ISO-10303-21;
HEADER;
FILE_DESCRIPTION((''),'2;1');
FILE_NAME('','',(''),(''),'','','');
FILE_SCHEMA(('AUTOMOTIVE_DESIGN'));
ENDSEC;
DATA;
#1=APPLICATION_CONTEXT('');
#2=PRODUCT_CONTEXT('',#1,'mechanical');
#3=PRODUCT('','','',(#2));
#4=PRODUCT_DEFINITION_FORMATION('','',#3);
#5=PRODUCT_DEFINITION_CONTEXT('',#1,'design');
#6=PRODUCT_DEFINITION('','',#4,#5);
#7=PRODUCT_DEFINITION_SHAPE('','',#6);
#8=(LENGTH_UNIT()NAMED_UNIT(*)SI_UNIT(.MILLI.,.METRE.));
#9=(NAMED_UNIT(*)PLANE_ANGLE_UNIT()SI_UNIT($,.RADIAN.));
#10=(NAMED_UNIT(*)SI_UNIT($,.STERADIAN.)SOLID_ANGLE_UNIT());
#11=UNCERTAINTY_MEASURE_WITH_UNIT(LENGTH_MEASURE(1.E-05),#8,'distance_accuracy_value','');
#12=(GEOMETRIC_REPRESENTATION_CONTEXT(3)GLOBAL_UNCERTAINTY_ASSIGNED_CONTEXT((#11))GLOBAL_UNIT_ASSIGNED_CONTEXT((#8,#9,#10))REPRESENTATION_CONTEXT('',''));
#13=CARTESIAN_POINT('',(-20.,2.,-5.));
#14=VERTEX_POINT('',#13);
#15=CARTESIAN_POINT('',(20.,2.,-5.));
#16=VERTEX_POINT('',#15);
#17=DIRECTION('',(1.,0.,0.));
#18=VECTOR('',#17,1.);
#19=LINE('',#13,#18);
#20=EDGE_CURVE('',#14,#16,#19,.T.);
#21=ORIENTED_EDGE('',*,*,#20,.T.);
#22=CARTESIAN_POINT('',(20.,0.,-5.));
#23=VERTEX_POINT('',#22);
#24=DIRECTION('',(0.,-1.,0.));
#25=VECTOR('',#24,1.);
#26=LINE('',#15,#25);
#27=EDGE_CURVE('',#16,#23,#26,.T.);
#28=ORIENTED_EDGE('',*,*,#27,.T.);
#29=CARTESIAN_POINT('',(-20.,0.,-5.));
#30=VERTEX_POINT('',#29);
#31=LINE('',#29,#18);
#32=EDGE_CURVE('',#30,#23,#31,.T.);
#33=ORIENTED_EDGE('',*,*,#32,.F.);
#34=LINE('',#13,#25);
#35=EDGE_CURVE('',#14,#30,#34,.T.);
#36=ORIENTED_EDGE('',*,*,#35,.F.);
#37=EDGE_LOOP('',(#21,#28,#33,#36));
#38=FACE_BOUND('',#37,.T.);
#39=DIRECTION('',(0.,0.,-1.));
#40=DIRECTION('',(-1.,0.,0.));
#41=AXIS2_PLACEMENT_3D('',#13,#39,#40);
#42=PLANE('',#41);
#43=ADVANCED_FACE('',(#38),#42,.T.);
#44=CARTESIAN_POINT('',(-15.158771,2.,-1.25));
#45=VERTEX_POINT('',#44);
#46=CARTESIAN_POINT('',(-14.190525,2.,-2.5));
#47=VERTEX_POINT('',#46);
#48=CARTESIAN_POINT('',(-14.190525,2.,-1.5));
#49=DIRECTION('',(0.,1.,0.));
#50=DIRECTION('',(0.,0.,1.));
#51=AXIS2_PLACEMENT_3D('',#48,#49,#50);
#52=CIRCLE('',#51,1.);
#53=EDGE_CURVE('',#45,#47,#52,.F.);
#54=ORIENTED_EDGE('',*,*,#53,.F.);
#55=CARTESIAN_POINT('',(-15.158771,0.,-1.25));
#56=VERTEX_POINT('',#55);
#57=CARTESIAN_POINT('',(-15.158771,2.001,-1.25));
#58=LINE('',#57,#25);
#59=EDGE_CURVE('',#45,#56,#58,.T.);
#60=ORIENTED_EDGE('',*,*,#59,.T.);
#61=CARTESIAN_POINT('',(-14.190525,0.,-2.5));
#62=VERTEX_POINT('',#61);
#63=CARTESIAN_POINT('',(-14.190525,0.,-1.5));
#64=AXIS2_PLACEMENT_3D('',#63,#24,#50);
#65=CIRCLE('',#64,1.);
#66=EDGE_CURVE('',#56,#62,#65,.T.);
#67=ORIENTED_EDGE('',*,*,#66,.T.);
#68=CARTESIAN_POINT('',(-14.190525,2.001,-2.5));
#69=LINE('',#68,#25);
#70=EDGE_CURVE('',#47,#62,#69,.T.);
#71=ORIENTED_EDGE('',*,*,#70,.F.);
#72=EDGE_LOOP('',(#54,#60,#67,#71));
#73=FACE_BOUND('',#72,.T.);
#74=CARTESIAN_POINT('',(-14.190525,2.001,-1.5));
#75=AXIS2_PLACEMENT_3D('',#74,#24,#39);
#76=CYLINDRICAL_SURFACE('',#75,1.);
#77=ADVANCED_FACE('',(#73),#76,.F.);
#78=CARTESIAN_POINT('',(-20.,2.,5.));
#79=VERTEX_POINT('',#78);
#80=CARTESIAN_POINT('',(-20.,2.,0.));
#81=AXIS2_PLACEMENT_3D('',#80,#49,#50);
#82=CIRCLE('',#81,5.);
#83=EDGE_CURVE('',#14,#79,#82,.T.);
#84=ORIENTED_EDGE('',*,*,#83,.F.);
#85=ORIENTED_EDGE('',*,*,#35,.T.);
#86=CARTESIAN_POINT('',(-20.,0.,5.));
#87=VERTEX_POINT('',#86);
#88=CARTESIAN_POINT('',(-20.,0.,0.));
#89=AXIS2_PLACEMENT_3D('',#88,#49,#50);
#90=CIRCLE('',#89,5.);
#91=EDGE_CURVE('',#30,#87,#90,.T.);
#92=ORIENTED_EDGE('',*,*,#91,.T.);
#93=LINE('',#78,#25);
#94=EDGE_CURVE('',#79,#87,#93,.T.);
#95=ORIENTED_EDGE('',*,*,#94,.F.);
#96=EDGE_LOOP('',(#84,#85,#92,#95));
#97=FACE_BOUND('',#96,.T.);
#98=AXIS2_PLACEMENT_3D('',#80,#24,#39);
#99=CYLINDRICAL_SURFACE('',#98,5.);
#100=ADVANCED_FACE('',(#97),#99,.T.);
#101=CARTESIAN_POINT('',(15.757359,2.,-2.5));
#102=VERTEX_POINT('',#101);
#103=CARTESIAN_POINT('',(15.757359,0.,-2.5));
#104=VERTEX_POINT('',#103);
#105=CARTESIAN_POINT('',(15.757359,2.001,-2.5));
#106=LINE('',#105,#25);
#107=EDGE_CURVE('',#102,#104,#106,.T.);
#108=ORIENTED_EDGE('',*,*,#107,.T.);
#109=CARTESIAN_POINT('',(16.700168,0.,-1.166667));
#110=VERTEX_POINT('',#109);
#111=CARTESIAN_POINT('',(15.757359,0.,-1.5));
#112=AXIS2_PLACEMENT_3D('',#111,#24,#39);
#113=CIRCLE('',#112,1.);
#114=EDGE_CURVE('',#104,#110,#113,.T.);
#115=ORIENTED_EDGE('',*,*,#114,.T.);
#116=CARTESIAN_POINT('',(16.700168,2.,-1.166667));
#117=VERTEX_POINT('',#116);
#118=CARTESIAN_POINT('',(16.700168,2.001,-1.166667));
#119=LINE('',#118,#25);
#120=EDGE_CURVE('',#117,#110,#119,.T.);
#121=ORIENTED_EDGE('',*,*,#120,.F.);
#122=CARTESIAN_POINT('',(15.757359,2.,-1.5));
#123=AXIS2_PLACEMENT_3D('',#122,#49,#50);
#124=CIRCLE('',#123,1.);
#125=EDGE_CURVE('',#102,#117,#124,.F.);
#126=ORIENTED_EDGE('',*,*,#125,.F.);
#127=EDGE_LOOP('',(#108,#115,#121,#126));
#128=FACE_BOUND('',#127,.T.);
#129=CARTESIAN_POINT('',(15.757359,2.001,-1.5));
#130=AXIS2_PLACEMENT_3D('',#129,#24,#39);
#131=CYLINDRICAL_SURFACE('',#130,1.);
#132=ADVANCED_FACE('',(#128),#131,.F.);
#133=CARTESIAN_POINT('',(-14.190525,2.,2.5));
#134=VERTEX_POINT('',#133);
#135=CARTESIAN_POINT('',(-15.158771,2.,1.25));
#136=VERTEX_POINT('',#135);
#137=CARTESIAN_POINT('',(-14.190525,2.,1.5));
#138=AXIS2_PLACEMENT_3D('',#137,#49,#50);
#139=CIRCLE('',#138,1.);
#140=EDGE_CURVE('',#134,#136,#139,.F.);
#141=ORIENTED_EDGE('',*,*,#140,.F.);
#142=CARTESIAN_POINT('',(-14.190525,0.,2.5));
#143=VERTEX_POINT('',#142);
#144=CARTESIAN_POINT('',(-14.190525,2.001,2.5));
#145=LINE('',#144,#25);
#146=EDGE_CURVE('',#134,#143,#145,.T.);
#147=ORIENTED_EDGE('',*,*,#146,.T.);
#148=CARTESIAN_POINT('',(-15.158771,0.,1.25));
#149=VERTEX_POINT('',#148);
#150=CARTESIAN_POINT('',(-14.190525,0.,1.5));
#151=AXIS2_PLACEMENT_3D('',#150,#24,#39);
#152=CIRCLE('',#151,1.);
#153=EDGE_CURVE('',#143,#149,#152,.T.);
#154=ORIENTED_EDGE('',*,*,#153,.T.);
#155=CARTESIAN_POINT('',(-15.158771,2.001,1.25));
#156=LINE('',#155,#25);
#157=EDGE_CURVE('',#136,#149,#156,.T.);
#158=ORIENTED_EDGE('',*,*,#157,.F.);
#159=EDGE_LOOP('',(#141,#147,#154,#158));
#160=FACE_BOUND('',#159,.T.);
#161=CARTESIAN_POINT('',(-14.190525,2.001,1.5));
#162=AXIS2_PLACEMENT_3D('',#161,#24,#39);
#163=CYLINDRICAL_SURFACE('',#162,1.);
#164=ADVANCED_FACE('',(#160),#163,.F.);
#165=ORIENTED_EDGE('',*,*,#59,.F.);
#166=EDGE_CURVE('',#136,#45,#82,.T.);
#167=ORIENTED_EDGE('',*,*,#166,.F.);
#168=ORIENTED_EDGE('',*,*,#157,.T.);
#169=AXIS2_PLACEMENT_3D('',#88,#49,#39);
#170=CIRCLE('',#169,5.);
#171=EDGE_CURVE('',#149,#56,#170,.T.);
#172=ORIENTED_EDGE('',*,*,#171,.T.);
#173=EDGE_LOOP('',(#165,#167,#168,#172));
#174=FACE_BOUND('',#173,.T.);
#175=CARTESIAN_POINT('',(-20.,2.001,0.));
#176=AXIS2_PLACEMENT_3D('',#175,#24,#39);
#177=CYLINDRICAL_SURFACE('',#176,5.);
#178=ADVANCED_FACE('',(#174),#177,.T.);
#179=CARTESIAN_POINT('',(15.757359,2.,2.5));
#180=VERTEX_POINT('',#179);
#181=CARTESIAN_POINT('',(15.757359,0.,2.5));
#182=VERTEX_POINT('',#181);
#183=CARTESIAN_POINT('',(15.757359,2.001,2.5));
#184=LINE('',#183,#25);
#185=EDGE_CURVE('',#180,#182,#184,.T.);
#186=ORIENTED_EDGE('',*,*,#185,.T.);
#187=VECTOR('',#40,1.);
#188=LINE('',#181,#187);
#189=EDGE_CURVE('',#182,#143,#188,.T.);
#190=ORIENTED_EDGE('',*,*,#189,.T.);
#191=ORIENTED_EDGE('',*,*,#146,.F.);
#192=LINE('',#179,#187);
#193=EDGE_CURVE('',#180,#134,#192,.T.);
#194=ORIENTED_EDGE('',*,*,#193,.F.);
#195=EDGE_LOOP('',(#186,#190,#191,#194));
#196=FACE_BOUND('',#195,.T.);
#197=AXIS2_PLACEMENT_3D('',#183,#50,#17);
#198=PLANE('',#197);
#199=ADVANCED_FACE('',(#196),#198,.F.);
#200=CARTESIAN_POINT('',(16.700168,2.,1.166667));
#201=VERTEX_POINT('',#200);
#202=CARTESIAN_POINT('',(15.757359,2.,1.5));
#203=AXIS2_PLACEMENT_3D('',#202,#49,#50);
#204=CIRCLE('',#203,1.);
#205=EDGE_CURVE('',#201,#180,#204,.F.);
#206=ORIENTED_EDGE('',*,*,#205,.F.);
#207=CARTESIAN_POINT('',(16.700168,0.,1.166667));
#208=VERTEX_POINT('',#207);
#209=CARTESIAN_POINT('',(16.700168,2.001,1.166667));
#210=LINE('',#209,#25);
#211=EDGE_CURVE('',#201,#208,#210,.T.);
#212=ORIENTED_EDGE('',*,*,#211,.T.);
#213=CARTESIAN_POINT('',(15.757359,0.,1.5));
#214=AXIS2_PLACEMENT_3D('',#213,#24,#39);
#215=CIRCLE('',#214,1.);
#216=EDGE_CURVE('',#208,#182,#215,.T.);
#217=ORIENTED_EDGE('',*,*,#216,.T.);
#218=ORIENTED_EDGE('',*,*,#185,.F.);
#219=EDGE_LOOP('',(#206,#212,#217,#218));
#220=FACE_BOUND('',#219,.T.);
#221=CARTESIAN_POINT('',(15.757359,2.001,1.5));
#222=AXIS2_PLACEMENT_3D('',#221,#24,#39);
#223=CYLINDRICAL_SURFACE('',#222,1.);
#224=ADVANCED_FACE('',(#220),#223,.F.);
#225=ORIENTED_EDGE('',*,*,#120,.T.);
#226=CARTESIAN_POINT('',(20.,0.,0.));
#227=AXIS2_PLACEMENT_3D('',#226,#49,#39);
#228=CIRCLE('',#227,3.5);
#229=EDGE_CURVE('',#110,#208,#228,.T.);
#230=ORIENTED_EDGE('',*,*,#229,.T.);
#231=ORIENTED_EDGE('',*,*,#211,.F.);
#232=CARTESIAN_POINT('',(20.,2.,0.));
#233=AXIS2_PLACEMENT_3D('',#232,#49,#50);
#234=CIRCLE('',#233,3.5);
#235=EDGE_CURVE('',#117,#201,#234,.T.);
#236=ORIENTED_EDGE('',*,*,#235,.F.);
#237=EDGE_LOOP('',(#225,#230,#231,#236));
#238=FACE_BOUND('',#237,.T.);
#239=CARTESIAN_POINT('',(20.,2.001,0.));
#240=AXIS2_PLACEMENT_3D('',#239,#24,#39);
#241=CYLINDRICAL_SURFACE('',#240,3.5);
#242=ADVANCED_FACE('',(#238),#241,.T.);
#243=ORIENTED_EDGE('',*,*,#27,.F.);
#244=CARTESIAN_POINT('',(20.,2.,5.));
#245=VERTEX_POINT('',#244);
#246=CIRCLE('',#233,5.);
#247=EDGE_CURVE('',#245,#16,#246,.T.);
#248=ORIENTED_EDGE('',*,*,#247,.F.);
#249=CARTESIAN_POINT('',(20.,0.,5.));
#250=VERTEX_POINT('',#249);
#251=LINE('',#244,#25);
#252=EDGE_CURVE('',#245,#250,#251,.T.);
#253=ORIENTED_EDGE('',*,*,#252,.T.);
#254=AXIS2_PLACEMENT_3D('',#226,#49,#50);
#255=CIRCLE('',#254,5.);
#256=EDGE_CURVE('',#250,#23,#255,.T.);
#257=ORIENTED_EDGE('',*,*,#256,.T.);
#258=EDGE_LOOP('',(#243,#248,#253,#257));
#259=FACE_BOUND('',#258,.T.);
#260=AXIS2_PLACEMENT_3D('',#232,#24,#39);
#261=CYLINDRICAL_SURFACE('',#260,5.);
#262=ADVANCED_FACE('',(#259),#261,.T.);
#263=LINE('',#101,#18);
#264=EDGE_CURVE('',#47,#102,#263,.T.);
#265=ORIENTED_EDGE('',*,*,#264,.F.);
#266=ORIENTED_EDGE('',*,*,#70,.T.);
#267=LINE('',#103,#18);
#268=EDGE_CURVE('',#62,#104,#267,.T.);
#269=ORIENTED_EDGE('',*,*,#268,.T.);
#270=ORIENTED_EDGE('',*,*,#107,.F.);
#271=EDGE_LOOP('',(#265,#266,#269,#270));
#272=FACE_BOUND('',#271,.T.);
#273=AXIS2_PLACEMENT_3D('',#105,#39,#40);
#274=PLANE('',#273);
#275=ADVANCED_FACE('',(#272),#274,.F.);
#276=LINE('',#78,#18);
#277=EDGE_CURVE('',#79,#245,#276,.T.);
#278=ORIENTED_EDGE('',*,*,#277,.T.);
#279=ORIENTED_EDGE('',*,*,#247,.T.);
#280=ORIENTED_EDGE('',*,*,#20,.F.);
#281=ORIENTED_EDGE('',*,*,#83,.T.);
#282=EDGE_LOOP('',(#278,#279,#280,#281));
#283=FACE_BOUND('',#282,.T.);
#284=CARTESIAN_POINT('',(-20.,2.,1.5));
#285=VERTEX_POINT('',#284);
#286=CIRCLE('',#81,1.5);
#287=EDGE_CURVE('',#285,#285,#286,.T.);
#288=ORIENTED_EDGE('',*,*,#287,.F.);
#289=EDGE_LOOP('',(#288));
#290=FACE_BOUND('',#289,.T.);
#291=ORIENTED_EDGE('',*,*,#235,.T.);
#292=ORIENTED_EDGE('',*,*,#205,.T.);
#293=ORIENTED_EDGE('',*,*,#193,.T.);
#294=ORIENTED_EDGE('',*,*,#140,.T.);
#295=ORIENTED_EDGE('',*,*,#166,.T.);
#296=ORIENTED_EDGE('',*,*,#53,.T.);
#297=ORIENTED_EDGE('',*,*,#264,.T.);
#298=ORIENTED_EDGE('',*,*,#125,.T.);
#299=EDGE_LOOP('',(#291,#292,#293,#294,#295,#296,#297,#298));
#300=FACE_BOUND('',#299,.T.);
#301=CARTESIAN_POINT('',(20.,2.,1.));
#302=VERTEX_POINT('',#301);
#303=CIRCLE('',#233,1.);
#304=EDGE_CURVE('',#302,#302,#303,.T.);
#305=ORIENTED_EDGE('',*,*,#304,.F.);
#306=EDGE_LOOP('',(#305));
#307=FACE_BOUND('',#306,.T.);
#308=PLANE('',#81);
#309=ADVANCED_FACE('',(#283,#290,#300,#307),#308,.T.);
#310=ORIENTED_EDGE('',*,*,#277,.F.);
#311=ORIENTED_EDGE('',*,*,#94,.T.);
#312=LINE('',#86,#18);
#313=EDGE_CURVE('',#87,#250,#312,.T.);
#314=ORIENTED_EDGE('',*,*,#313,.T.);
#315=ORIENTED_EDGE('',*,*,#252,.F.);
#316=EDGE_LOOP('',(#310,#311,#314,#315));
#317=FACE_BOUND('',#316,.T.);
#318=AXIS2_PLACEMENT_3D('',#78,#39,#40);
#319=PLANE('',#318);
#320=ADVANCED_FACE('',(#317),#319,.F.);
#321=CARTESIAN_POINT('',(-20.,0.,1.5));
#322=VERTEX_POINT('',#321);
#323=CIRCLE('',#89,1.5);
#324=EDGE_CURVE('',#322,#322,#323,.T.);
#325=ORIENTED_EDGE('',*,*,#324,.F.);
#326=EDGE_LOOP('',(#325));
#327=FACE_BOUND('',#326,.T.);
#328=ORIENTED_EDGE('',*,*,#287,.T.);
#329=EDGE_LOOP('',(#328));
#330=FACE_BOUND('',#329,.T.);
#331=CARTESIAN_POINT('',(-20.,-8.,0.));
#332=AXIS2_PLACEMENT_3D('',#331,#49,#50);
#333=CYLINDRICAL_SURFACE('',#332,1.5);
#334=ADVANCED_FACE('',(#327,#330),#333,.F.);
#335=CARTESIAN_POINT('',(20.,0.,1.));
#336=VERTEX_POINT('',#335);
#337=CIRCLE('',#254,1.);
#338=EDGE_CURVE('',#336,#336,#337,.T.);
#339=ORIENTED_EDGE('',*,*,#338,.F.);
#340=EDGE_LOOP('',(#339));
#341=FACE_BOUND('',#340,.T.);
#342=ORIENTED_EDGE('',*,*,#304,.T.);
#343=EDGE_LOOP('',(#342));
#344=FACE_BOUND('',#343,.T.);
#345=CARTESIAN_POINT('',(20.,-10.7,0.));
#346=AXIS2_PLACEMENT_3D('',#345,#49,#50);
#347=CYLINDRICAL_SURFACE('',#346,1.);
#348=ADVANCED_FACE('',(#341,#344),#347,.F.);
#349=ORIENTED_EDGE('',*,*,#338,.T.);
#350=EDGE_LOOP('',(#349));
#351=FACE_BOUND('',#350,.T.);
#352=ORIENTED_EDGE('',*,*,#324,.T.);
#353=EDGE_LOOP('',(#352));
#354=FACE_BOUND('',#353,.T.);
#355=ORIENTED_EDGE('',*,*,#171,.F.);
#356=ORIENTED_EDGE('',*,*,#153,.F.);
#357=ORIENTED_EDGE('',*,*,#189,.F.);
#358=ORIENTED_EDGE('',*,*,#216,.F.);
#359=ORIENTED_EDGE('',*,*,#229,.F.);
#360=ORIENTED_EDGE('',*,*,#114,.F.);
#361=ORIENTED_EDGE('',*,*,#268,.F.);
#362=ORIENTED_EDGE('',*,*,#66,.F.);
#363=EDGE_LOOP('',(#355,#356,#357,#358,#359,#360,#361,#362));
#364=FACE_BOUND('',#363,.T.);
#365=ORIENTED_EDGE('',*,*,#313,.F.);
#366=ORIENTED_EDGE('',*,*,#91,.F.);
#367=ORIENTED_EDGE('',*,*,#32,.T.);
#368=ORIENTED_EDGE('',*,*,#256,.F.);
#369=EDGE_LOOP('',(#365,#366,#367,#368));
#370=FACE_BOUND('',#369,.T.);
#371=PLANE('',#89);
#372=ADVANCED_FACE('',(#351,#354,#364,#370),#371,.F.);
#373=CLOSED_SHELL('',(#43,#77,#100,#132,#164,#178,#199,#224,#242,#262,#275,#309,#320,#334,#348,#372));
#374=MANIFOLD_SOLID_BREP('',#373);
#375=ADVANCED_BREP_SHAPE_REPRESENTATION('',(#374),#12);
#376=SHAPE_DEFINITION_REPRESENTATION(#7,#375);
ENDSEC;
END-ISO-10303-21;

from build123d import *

# Parameters (mm, degrees)
BOSS_EXTRUDE1_DEPTH = 2
SKETCH4_R           = 1
CUT_EXTRUDE3_DEPTH  = 12.7
SKETCH5_R           = 1.5
CUT_EXTRUDE4_DEPTH  = 10
CUT_EXTRUDE5_REACH  = 27.573


with BuildPart() as part:
    # Sketch1 → Boss-Extrude1 (new body)
    with BuildSketch(Plane(origin=(0, 0, 0), x_dir=(1, 0, 0), z_dir=(0, 1, 0))):
        with BuildLine():
            Line((-20, 5), (20, 5))
            ThreePointArc((20, 5), (25, 0), (20, -5))
            Line((20, -5), (-20, -5))
            ThreePointArc((-20, -5), (-25, 0), (-20, 5))
        make_face()
    extrude(amount=BOSS_EXTRUDE1_DEPTH)

    # Sketch4 → Cut-Extrude3 (cut)
    with BuildSketch(Plane(origin=(0, 2, 0), x_dir=(1, 0, 0), z_dir=(0, 1, 0))):
        with Locations(Location((20, 0, 0), (0, 0, 270))):
            Circle(SKETCH4_R)
    extrude(amount=-CUT_EXTRUDE3_DEPTH, mode=Mode.SUBTRACT)

    # Sketch5 → Cut-Extrude4 (cut)
    with BuildSketch(Plane(origin=(0, 2, 0), x_dir=(1, 0, 0), z_dir=(0, 1, 0))):
        with Locations(Location((-20, 0, 0), (0, 0, 270))):
            Circle(SKETCH5_R)
    extrude(amount=-CUT_EXTRUDE4_DEPTH, mode=Mode.SUBTRACT)

    # Sketch6 → Cut-Extrude5 (cut, up to next)
    with BuildSketch(Plane.XZ, mode=Mode.PRIVATE) as cut_extrude5_sk1:
        with BuildLine():
            Line((15.757359313, -2.5), (-14.190524981, -2.5))
            ThreePointArc((-14.190524981, -2.5), (-14.981094396, -2.112372436), (-15.158770817, -1.25))
            ThreePointArc((-15.158770817, -1.25), (-15, 0), (-15.158770817, 1.25))
            ThreePointArc((-15.158770817, 1.25), (-14.981094396, 2.112372436), (-14.190524981, 2.5))
            Line((-14.190524981, 2.5), (15.757359313, 2.5))
            ThreePointArc((15.757359313, 2.5), (16.573855894, 2.077350269), (16.700168354, 1.166666667))
            ThreePointArc((16.700168354, 1.166666667), (16.5, 0), (16.700168354, -1.166666667))
            ThreePointArc((16.700168354, -1.166666667), (16.573855894, -2.077350269), (15.757359313, -2.5))
        make_face()
    cut_extrude5_tool1 = extrude(cut_extrude5_sk1.sketch, amount=-CUT_EXTRUDE5_REACH, mode=Mode.PRIVATE) & part.part
    add(cut_extrude5_tool1.solids().sort_by_distance((0.772522, 0, 0))[0], mode=Mode.SUBTRACT)


solid = part.part
